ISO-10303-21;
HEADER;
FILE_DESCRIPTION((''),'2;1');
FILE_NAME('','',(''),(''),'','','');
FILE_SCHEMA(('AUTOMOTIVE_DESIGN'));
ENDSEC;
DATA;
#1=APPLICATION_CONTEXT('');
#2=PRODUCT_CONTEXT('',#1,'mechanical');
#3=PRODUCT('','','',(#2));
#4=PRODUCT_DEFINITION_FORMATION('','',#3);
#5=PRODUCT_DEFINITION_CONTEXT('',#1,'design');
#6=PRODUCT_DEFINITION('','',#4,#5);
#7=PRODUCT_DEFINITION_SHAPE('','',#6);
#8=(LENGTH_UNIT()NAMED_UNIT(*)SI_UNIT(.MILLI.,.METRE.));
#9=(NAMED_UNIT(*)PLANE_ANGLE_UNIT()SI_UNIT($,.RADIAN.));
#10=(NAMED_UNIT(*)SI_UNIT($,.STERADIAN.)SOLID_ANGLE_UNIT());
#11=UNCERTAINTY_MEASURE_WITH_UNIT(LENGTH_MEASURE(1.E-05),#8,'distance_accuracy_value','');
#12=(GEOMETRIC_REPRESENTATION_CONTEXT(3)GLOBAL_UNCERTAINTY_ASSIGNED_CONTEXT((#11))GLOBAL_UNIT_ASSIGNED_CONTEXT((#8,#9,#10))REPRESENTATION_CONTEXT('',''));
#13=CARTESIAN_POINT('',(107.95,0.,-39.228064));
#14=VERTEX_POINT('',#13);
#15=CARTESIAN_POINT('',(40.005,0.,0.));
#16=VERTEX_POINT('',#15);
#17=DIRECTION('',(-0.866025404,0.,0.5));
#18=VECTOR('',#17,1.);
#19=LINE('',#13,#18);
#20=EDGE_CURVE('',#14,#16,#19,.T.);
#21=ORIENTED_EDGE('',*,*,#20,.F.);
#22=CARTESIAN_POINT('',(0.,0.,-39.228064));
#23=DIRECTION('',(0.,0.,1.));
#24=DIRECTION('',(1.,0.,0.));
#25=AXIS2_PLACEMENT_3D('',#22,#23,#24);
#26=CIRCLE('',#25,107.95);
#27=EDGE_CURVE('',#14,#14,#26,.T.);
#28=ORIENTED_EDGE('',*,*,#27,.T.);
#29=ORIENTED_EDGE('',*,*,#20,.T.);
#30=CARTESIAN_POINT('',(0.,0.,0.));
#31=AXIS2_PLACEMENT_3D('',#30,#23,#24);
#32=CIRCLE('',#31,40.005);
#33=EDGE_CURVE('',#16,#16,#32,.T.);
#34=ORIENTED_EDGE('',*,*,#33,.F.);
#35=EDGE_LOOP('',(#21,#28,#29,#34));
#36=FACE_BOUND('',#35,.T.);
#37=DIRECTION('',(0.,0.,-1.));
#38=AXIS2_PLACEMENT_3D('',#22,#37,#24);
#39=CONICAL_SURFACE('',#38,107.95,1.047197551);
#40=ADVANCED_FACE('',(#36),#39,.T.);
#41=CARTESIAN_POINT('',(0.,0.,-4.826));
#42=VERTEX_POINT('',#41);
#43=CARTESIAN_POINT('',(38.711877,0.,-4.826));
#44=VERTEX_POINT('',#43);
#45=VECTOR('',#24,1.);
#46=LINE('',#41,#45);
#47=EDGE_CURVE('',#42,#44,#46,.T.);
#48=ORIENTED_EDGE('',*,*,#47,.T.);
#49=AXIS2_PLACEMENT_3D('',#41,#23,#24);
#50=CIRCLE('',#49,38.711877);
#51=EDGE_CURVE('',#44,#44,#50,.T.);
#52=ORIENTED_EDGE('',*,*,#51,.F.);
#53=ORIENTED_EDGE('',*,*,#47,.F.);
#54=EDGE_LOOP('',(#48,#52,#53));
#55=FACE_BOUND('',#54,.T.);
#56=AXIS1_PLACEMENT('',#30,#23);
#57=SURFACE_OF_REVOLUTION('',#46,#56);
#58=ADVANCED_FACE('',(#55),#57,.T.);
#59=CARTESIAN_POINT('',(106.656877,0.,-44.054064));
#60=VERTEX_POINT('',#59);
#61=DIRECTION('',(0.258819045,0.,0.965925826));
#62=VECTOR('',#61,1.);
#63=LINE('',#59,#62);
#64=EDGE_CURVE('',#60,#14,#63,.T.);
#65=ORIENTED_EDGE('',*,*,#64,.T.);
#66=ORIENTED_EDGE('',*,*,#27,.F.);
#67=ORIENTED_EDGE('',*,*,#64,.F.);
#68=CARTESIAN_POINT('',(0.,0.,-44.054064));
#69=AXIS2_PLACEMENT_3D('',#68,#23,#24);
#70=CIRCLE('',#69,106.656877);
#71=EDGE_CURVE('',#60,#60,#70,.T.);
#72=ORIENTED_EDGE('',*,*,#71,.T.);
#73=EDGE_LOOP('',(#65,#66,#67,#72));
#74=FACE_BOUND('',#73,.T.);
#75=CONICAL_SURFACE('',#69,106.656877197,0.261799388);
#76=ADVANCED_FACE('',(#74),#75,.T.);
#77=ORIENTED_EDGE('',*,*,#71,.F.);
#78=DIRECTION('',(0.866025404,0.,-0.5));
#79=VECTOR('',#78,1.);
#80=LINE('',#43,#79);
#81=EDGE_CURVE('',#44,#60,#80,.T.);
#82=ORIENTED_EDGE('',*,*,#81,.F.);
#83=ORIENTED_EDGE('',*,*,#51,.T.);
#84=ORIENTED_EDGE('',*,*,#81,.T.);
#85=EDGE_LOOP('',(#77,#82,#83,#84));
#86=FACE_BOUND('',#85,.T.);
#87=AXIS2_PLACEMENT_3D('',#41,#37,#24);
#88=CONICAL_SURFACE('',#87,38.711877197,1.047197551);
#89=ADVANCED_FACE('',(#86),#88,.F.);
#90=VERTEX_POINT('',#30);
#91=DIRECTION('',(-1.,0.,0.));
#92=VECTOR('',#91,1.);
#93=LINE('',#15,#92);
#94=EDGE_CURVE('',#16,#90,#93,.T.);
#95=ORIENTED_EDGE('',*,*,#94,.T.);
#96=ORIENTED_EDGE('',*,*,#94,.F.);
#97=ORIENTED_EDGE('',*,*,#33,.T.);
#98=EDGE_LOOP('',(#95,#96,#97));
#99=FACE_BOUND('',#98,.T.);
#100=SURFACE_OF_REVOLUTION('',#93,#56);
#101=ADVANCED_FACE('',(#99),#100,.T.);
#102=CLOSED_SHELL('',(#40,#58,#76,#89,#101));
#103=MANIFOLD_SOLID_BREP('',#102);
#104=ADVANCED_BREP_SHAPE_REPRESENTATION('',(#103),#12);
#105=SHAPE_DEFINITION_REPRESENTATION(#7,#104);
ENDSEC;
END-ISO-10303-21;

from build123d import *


with BuildPart() as f2:
    # F2: sweep along a path in F1
    with BuildLine(Plane.XY) as f2_path:
        CenterArc((0, 0), 40.005, 0, 360)
    # F0 (on Front) → F2 (sweep)
    with BuildSketch(Plane.XZ):
        Polygon((107.95, -39.2280640401), (40.005, 0), (0, 0), (0, -4.826), (38.7118771973, -4.826), (106.6568771973, -44.0540640401), align=None)
    sweep(path=f2_path.line)


solid = f2.part
